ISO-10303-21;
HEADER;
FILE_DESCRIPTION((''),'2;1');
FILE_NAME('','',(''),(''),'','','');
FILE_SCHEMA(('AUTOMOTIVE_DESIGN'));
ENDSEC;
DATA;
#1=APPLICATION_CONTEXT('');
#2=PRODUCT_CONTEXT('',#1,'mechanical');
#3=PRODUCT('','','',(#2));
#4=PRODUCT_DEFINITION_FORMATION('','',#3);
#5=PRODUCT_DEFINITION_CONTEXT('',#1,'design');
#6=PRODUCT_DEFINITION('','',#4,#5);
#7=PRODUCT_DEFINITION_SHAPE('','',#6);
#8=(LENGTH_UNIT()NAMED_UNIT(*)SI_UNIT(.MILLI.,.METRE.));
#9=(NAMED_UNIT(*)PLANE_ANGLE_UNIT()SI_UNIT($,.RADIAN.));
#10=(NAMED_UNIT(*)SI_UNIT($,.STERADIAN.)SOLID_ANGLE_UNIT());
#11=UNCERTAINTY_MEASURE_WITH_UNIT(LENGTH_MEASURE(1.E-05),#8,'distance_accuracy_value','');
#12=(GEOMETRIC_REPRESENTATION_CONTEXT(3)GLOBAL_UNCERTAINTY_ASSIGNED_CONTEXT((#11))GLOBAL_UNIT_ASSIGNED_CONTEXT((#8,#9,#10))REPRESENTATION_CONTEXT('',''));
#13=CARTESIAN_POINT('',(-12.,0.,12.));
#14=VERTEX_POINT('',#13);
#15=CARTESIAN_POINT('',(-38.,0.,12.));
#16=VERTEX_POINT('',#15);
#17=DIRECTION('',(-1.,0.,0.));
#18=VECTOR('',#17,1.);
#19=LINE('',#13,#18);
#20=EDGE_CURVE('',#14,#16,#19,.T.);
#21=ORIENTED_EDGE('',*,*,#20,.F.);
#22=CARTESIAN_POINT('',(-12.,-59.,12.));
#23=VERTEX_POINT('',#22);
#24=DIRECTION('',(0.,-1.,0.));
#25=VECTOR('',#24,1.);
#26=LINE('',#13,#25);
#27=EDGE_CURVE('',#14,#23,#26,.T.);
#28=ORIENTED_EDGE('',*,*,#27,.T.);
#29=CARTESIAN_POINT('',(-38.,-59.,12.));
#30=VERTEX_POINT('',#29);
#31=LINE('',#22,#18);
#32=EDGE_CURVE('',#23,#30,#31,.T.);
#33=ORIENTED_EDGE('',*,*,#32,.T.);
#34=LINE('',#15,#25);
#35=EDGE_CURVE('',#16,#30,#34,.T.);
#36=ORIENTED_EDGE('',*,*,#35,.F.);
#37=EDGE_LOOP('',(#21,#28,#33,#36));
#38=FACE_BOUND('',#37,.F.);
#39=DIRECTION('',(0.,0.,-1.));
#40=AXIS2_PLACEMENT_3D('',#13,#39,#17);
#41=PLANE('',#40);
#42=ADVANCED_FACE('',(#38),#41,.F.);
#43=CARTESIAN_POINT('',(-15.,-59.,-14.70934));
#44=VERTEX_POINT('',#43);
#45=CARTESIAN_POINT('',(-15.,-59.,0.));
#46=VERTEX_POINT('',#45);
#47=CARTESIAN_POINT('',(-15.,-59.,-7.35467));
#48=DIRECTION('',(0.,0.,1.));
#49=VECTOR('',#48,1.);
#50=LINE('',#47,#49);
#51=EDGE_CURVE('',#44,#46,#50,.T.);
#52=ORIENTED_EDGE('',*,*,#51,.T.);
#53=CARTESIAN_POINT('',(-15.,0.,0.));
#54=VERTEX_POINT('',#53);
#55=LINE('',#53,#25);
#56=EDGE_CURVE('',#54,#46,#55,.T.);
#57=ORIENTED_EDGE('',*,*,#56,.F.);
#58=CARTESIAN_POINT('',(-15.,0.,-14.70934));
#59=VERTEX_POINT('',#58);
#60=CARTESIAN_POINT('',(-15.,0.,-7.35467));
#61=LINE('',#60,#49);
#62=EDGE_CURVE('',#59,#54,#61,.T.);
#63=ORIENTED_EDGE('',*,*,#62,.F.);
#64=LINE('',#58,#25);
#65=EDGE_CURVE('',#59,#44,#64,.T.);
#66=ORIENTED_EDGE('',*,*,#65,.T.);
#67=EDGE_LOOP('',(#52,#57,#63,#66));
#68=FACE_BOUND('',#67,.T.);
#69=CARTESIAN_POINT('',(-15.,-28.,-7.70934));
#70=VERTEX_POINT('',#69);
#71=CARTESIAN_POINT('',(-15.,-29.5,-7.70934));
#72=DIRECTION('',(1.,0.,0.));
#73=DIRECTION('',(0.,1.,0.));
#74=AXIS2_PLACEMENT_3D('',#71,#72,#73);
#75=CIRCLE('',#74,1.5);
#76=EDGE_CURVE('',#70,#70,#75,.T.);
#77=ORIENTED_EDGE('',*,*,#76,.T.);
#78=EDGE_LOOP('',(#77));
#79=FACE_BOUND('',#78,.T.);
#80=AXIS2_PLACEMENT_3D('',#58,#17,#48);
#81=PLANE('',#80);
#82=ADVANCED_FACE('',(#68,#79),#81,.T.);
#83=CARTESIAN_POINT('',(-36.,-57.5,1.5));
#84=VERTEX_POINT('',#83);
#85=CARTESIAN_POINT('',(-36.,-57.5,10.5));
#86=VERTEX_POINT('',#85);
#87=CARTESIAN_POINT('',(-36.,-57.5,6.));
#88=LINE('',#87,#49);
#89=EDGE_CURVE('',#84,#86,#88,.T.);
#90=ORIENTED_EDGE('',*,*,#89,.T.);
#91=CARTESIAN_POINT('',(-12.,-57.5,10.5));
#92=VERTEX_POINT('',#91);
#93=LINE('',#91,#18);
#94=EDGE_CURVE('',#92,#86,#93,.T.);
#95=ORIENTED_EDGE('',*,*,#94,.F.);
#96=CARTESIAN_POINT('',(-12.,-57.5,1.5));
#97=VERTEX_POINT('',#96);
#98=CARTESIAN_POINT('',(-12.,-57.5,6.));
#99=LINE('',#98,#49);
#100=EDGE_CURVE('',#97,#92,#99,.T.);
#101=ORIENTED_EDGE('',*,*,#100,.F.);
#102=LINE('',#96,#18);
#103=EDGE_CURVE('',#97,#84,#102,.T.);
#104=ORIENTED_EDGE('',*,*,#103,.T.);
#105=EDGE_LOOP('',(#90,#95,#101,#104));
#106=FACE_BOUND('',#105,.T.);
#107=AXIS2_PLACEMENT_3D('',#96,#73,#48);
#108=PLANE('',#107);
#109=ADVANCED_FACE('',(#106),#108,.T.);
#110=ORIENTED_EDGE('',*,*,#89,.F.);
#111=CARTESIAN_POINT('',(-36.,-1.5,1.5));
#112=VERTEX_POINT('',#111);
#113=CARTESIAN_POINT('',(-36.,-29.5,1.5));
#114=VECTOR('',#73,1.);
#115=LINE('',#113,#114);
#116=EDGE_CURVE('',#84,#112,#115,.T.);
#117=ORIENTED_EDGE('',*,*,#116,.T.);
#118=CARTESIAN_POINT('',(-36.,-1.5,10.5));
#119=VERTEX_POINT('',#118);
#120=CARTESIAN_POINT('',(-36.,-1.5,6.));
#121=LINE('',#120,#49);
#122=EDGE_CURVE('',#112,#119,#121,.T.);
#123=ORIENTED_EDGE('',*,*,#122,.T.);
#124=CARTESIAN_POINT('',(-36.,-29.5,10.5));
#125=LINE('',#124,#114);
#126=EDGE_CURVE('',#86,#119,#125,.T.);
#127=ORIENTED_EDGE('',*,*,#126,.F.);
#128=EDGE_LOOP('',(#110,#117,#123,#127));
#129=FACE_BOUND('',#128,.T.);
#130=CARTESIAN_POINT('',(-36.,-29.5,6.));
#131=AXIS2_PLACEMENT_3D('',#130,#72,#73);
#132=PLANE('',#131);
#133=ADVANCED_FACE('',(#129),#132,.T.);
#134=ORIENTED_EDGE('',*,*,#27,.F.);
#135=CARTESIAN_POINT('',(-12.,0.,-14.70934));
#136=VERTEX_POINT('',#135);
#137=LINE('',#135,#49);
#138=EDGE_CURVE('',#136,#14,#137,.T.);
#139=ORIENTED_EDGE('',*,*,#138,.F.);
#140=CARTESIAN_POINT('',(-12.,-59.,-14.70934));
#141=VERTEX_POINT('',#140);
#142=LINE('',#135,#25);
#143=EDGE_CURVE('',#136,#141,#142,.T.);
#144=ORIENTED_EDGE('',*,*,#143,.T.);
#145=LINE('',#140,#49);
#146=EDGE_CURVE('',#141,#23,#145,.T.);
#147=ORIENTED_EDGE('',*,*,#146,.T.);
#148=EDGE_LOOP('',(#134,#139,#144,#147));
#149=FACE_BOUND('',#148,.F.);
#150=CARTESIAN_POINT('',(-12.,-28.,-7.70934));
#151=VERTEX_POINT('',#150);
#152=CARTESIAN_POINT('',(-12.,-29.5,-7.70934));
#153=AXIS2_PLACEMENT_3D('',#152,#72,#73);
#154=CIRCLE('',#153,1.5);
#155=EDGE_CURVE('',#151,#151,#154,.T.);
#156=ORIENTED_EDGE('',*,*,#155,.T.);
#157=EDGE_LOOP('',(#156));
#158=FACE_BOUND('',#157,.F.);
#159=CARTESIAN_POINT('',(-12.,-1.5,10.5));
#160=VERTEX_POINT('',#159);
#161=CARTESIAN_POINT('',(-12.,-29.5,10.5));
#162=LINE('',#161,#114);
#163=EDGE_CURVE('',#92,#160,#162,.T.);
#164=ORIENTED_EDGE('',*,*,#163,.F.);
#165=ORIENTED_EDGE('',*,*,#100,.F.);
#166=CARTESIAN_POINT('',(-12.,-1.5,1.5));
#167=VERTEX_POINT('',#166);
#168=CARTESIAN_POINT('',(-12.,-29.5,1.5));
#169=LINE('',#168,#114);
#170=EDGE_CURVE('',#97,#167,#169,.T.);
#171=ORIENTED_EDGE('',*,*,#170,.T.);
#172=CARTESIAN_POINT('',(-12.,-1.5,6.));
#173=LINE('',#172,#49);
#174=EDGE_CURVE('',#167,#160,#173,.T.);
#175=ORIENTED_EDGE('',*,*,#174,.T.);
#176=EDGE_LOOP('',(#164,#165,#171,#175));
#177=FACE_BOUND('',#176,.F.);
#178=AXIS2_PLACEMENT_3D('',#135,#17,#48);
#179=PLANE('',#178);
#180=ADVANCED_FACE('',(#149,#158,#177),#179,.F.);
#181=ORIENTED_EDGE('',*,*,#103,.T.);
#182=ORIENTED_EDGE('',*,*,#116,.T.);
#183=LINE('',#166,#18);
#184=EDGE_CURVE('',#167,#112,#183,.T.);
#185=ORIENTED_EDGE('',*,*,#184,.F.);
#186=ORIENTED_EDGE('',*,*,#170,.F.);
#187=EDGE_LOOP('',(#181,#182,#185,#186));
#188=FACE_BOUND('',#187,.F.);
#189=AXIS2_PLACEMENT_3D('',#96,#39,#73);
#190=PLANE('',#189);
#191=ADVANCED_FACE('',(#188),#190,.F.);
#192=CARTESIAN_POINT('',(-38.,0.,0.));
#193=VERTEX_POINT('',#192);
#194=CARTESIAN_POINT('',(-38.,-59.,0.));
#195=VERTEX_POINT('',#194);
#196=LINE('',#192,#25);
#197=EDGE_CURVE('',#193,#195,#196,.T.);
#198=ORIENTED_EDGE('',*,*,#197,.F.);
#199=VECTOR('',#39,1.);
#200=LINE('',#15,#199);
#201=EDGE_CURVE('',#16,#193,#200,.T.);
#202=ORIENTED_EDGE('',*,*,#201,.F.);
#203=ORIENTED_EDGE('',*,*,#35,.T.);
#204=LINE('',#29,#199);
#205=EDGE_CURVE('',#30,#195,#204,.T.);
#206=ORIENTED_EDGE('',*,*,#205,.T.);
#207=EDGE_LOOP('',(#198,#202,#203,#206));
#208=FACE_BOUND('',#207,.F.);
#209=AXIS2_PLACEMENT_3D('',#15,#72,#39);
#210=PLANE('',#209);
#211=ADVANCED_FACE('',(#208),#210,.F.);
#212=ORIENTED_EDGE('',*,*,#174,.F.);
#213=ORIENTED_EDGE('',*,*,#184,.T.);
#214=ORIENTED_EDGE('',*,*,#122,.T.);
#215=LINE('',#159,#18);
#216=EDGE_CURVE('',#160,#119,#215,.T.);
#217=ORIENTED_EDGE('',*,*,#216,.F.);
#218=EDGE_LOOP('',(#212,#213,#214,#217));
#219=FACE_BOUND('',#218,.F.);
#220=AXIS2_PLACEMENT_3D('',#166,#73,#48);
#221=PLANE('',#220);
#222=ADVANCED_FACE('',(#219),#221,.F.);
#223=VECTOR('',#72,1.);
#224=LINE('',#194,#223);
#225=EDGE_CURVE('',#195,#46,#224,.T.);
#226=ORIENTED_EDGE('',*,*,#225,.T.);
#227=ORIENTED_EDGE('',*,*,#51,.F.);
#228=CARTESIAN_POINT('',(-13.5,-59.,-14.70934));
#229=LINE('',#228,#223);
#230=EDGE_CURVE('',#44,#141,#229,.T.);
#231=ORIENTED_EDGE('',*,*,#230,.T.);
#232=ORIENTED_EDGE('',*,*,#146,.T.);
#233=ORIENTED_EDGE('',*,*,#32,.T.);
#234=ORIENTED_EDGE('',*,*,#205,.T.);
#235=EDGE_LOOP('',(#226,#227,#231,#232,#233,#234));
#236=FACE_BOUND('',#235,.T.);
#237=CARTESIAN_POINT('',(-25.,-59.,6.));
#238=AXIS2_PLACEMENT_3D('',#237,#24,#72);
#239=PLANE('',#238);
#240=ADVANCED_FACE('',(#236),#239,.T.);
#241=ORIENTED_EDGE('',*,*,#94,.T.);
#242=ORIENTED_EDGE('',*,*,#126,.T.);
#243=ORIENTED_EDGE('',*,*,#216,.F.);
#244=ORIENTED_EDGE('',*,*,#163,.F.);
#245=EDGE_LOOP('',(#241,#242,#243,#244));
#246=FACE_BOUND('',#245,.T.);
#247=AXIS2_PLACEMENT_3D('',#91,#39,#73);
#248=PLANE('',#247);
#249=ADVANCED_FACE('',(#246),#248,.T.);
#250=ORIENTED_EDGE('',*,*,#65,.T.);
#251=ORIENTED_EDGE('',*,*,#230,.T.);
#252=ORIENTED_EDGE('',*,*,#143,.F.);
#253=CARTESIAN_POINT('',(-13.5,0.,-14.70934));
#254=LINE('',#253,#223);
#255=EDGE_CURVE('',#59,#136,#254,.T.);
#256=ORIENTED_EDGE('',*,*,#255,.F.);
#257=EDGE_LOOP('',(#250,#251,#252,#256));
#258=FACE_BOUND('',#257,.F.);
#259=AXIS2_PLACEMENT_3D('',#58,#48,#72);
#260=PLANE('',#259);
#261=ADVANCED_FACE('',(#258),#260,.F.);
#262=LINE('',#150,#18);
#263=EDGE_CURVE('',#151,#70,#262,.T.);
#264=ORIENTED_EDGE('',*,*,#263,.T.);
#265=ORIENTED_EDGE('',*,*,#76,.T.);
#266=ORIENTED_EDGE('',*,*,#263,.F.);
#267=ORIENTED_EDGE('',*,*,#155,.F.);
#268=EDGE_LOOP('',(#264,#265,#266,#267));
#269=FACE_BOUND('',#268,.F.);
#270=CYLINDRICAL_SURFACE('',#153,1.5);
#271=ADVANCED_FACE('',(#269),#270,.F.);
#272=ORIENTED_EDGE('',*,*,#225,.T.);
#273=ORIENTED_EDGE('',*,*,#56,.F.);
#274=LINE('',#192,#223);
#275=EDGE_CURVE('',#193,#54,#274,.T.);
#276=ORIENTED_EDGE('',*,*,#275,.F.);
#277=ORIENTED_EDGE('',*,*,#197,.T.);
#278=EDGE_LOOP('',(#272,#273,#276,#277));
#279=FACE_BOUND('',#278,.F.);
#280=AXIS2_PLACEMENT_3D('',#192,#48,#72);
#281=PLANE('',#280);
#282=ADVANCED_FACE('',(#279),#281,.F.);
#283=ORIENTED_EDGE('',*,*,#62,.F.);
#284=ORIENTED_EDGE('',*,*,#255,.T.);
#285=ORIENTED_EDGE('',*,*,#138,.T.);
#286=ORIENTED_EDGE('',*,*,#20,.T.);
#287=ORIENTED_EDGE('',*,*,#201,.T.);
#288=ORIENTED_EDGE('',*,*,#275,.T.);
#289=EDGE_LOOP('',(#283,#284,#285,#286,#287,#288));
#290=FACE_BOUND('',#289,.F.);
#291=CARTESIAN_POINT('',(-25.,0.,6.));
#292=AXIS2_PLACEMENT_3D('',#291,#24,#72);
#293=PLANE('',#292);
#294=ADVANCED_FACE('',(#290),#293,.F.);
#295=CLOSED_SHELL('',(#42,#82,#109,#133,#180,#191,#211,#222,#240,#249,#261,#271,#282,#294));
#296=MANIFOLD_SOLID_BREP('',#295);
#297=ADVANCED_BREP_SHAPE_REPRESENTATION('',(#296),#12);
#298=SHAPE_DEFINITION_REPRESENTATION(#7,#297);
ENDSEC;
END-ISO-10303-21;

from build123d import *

# Parameters (mm, degrees)
F0_W     = 3
F0_H     = 14.70934
F1_DEPTH = 59
F2_R     = 1.5
F3_DEPTH = 4
F2_W     = 56
F2_H     = 9
F4_DEPTH = 24


with BuildPart() as f1:
    # F0 (on Front) → F1 (new body)
    with BuildSketch(Plane.XZ):
        Polygon((-12, 12), (-38, 12), (-38, 0), (-15, 0), (-12, 0), align=None)
        with Locations((-13.5, -7.35467)):
            Rectangle(F0_W, F0_H)
    extrude(amount=F1_DEPTH)

    # F2 (on face) → F3 (cut)
    with BuildSketch(Plane.YZ.offset(-12)):
        with Locations((-29.5, -7.70934)):
            Circle(F2_R)
    extrude(amount=-F3_DEPTH, mode=Mode.SUBTRACT)

    # F2 (on face) → F4 (cut)
    with BuildSketch(Plane.YZ.offset(-12)):
        with Locations((-29.5, 6)):
            Rectangle(F2_W, F2_H)
        with Locations((-29.5, -7.70934)):
            Circle(F2_R)
    extrude(amount=-F4_DEPTH, mode=Mode.SUBTRACT)


solid = f1.part
